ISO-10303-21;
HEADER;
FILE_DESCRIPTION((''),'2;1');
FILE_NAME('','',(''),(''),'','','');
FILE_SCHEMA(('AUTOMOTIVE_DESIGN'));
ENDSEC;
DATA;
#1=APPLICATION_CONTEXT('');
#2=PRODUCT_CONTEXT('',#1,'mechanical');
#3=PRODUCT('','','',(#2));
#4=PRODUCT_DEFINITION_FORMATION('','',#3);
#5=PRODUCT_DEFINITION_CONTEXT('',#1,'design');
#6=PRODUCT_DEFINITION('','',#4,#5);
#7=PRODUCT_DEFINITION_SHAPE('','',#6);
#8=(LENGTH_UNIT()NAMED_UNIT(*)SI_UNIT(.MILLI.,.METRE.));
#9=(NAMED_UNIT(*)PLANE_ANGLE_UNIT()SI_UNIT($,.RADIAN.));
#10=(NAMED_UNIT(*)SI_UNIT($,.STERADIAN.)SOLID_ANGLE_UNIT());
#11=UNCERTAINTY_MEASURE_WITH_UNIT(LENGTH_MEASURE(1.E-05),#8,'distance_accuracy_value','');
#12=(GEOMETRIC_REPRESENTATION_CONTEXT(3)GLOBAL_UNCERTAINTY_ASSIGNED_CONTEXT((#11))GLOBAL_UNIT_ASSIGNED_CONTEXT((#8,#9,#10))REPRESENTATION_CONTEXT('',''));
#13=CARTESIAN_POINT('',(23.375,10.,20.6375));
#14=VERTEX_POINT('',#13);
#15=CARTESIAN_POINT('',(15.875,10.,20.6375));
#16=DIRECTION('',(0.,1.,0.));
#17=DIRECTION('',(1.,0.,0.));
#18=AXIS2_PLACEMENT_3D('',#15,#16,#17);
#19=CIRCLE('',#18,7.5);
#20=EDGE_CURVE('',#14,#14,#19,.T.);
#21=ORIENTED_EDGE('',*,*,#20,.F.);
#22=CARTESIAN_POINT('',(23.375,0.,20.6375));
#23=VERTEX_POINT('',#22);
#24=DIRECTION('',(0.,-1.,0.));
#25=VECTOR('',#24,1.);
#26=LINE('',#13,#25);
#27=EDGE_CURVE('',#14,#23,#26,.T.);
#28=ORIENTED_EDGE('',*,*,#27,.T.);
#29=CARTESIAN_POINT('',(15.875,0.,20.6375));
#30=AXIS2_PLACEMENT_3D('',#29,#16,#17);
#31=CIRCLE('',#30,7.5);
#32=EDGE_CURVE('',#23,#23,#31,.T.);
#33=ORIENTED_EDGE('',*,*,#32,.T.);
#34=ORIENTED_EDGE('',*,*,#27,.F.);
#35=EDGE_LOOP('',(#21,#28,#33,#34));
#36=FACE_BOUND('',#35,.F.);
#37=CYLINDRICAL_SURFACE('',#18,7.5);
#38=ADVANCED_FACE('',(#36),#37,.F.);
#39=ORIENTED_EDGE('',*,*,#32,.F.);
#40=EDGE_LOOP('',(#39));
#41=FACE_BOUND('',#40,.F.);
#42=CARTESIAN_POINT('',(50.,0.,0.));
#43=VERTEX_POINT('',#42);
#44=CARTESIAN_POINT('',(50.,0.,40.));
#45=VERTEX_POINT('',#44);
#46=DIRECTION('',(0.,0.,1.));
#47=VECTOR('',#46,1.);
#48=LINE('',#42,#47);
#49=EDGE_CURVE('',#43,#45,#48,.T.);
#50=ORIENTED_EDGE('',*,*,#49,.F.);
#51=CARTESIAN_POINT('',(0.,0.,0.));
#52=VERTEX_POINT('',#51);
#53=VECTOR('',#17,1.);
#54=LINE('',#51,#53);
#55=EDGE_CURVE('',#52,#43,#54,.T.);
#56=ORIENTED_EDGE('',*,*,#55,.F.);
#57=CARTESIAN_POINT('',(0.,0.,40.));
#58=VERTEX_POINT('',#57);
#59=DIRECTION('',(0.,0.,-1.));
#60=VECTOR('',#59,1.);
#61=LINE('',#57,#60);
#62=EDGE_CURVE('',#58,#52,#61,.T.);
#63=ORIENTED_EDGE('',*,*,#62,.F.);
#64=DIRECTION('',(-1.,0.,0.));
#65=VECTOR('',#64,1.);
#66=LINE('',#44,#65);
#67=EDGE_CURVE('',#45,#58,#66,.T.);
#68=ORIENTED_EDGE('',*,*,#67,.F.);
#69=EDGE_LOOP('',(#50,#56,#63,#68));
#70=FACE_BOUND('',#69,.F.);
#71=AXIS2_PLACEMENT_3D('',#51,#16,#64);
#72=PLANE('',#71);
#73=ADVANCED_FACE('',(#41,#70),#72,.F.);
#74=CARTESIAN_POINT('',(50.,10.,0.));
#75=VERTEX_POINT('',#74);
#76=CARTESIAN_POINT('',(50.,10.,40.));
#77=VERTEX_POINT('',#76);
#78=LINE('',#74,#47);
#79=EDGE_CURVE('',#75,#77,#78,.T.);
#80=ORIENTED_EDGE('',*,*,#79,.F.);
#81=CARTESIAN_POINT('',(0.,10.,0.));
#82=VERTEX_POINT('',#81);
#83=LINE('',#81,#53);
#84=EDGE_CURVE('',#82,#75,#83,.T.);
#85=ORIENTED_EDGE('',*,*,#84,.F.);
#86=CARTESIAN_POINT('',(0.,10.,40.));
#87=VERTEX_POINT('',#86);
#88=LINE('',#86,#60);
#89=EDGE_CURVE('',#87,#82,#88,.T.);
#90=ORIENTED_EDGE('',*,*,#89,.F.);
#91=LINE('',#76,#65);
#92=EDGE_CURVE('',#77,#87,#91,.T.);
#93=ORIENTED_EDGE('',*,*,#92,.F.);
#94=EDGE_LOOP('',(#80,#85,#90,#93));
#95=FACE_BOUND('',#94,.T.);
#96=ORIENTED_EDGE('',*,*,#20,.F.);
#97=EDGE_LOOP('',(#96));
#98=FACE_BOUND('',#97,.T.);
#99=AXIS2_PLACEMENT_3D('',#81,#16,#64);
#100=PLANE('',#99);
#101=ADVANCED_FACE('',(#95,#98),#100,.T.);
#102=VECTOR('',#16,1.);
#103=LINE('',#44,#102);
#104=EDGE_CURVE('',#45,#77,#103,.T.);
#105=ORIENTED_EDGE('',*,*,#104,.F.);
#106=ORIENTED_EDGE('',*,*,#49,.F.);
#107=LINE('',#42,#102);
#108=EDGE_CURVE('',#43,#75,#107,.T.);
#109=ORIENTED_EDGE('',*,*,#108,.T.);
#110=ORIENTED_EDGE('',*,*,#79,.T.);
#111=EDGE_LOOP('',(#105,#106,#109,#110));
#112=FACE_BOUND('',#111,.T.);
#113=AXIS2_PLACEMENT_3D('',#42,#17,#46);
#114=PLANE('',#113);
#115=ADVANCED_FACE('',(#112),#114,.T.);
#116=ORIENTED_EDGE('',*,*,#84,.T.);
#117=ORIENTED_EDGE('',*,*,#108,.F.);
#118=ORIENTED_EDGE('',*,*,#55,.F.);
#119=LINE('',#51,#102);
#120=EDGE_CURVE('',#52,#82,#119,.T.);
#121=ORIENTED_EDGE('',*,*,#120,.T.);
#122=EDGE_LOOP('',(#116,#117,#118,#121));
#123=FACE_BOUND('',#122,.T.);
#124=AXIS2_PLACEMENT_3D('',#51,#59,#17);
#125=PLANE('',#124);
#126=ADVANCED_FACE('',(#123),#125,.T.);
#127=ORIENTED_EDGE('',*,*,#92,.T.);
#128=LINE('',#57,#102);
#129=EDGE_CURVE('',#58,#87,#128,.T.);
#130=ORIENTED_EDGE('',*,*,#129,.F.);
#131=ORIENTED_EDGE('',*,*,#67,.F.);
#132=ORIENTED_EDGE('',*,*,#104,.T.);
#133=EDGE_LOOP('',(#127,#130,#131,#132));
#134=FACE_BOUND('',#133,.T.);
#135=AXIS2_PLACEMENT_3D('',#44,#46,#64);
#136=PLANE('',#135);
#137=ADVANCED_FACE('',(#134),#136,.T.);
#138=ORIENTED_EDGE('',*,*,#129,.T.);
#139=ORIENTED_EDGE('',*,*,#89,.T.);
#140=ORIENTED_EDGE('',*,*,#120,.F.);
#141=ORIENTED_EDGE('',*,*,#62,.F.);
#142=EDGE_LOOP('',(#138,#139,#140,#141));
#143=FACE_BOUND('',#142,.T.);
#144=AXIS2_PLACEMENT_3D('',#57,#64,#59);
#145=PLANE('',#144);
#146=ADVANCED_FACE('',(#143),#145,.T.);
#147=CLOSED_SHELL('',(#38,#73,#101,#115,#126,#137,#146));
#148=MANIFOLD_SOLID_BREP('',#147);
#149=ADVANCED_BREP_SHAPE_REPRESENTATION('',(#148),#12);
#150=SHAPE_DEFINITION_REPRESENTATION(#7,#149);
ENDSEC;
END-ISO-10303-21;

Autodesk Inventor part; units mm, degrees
ref_plane "YZ Plane" through (0, 0, 0) normal (1, 0, 0) x (0, 1, 0)
ref_plane "XZ Plane" through (0, 0, 0) normal (0, 1, 0) x (-1, 0, 0)
ref_plane "XY Plane" through (0, 0, 0) normal (0, 0, 1) x (1, 0, 0)
sketch "Sketch1" plane through (0, 0, 0) normal (0, 1, 0) x (-1, 0, 0)
  line L0 (0, 0) -> (-50, 0)
  line L1 (-50, 0) -> (-50, 40)
  line L2 (-50, 40) -> (0, 40)
  line L3 (0, 40) -> (0, 0)
  dimension "d0" = 50
  dimension "d1" = 40
extrude "Extrusion1" add sketch "Sketch1" along normal blind 10
sketch "Sketch2" plane through (0, 10, 0) normal (0, 1, 0) x (1, 0, 0)
  circle A0 centre (15.875, -20.6375) radius 7.5
  point P0 (0, 0)
  dimension "d4" = 15
extrude "Extrusion2" cut sketch "Sketch2" against normal blind 10
properties part number "btmhldr"
